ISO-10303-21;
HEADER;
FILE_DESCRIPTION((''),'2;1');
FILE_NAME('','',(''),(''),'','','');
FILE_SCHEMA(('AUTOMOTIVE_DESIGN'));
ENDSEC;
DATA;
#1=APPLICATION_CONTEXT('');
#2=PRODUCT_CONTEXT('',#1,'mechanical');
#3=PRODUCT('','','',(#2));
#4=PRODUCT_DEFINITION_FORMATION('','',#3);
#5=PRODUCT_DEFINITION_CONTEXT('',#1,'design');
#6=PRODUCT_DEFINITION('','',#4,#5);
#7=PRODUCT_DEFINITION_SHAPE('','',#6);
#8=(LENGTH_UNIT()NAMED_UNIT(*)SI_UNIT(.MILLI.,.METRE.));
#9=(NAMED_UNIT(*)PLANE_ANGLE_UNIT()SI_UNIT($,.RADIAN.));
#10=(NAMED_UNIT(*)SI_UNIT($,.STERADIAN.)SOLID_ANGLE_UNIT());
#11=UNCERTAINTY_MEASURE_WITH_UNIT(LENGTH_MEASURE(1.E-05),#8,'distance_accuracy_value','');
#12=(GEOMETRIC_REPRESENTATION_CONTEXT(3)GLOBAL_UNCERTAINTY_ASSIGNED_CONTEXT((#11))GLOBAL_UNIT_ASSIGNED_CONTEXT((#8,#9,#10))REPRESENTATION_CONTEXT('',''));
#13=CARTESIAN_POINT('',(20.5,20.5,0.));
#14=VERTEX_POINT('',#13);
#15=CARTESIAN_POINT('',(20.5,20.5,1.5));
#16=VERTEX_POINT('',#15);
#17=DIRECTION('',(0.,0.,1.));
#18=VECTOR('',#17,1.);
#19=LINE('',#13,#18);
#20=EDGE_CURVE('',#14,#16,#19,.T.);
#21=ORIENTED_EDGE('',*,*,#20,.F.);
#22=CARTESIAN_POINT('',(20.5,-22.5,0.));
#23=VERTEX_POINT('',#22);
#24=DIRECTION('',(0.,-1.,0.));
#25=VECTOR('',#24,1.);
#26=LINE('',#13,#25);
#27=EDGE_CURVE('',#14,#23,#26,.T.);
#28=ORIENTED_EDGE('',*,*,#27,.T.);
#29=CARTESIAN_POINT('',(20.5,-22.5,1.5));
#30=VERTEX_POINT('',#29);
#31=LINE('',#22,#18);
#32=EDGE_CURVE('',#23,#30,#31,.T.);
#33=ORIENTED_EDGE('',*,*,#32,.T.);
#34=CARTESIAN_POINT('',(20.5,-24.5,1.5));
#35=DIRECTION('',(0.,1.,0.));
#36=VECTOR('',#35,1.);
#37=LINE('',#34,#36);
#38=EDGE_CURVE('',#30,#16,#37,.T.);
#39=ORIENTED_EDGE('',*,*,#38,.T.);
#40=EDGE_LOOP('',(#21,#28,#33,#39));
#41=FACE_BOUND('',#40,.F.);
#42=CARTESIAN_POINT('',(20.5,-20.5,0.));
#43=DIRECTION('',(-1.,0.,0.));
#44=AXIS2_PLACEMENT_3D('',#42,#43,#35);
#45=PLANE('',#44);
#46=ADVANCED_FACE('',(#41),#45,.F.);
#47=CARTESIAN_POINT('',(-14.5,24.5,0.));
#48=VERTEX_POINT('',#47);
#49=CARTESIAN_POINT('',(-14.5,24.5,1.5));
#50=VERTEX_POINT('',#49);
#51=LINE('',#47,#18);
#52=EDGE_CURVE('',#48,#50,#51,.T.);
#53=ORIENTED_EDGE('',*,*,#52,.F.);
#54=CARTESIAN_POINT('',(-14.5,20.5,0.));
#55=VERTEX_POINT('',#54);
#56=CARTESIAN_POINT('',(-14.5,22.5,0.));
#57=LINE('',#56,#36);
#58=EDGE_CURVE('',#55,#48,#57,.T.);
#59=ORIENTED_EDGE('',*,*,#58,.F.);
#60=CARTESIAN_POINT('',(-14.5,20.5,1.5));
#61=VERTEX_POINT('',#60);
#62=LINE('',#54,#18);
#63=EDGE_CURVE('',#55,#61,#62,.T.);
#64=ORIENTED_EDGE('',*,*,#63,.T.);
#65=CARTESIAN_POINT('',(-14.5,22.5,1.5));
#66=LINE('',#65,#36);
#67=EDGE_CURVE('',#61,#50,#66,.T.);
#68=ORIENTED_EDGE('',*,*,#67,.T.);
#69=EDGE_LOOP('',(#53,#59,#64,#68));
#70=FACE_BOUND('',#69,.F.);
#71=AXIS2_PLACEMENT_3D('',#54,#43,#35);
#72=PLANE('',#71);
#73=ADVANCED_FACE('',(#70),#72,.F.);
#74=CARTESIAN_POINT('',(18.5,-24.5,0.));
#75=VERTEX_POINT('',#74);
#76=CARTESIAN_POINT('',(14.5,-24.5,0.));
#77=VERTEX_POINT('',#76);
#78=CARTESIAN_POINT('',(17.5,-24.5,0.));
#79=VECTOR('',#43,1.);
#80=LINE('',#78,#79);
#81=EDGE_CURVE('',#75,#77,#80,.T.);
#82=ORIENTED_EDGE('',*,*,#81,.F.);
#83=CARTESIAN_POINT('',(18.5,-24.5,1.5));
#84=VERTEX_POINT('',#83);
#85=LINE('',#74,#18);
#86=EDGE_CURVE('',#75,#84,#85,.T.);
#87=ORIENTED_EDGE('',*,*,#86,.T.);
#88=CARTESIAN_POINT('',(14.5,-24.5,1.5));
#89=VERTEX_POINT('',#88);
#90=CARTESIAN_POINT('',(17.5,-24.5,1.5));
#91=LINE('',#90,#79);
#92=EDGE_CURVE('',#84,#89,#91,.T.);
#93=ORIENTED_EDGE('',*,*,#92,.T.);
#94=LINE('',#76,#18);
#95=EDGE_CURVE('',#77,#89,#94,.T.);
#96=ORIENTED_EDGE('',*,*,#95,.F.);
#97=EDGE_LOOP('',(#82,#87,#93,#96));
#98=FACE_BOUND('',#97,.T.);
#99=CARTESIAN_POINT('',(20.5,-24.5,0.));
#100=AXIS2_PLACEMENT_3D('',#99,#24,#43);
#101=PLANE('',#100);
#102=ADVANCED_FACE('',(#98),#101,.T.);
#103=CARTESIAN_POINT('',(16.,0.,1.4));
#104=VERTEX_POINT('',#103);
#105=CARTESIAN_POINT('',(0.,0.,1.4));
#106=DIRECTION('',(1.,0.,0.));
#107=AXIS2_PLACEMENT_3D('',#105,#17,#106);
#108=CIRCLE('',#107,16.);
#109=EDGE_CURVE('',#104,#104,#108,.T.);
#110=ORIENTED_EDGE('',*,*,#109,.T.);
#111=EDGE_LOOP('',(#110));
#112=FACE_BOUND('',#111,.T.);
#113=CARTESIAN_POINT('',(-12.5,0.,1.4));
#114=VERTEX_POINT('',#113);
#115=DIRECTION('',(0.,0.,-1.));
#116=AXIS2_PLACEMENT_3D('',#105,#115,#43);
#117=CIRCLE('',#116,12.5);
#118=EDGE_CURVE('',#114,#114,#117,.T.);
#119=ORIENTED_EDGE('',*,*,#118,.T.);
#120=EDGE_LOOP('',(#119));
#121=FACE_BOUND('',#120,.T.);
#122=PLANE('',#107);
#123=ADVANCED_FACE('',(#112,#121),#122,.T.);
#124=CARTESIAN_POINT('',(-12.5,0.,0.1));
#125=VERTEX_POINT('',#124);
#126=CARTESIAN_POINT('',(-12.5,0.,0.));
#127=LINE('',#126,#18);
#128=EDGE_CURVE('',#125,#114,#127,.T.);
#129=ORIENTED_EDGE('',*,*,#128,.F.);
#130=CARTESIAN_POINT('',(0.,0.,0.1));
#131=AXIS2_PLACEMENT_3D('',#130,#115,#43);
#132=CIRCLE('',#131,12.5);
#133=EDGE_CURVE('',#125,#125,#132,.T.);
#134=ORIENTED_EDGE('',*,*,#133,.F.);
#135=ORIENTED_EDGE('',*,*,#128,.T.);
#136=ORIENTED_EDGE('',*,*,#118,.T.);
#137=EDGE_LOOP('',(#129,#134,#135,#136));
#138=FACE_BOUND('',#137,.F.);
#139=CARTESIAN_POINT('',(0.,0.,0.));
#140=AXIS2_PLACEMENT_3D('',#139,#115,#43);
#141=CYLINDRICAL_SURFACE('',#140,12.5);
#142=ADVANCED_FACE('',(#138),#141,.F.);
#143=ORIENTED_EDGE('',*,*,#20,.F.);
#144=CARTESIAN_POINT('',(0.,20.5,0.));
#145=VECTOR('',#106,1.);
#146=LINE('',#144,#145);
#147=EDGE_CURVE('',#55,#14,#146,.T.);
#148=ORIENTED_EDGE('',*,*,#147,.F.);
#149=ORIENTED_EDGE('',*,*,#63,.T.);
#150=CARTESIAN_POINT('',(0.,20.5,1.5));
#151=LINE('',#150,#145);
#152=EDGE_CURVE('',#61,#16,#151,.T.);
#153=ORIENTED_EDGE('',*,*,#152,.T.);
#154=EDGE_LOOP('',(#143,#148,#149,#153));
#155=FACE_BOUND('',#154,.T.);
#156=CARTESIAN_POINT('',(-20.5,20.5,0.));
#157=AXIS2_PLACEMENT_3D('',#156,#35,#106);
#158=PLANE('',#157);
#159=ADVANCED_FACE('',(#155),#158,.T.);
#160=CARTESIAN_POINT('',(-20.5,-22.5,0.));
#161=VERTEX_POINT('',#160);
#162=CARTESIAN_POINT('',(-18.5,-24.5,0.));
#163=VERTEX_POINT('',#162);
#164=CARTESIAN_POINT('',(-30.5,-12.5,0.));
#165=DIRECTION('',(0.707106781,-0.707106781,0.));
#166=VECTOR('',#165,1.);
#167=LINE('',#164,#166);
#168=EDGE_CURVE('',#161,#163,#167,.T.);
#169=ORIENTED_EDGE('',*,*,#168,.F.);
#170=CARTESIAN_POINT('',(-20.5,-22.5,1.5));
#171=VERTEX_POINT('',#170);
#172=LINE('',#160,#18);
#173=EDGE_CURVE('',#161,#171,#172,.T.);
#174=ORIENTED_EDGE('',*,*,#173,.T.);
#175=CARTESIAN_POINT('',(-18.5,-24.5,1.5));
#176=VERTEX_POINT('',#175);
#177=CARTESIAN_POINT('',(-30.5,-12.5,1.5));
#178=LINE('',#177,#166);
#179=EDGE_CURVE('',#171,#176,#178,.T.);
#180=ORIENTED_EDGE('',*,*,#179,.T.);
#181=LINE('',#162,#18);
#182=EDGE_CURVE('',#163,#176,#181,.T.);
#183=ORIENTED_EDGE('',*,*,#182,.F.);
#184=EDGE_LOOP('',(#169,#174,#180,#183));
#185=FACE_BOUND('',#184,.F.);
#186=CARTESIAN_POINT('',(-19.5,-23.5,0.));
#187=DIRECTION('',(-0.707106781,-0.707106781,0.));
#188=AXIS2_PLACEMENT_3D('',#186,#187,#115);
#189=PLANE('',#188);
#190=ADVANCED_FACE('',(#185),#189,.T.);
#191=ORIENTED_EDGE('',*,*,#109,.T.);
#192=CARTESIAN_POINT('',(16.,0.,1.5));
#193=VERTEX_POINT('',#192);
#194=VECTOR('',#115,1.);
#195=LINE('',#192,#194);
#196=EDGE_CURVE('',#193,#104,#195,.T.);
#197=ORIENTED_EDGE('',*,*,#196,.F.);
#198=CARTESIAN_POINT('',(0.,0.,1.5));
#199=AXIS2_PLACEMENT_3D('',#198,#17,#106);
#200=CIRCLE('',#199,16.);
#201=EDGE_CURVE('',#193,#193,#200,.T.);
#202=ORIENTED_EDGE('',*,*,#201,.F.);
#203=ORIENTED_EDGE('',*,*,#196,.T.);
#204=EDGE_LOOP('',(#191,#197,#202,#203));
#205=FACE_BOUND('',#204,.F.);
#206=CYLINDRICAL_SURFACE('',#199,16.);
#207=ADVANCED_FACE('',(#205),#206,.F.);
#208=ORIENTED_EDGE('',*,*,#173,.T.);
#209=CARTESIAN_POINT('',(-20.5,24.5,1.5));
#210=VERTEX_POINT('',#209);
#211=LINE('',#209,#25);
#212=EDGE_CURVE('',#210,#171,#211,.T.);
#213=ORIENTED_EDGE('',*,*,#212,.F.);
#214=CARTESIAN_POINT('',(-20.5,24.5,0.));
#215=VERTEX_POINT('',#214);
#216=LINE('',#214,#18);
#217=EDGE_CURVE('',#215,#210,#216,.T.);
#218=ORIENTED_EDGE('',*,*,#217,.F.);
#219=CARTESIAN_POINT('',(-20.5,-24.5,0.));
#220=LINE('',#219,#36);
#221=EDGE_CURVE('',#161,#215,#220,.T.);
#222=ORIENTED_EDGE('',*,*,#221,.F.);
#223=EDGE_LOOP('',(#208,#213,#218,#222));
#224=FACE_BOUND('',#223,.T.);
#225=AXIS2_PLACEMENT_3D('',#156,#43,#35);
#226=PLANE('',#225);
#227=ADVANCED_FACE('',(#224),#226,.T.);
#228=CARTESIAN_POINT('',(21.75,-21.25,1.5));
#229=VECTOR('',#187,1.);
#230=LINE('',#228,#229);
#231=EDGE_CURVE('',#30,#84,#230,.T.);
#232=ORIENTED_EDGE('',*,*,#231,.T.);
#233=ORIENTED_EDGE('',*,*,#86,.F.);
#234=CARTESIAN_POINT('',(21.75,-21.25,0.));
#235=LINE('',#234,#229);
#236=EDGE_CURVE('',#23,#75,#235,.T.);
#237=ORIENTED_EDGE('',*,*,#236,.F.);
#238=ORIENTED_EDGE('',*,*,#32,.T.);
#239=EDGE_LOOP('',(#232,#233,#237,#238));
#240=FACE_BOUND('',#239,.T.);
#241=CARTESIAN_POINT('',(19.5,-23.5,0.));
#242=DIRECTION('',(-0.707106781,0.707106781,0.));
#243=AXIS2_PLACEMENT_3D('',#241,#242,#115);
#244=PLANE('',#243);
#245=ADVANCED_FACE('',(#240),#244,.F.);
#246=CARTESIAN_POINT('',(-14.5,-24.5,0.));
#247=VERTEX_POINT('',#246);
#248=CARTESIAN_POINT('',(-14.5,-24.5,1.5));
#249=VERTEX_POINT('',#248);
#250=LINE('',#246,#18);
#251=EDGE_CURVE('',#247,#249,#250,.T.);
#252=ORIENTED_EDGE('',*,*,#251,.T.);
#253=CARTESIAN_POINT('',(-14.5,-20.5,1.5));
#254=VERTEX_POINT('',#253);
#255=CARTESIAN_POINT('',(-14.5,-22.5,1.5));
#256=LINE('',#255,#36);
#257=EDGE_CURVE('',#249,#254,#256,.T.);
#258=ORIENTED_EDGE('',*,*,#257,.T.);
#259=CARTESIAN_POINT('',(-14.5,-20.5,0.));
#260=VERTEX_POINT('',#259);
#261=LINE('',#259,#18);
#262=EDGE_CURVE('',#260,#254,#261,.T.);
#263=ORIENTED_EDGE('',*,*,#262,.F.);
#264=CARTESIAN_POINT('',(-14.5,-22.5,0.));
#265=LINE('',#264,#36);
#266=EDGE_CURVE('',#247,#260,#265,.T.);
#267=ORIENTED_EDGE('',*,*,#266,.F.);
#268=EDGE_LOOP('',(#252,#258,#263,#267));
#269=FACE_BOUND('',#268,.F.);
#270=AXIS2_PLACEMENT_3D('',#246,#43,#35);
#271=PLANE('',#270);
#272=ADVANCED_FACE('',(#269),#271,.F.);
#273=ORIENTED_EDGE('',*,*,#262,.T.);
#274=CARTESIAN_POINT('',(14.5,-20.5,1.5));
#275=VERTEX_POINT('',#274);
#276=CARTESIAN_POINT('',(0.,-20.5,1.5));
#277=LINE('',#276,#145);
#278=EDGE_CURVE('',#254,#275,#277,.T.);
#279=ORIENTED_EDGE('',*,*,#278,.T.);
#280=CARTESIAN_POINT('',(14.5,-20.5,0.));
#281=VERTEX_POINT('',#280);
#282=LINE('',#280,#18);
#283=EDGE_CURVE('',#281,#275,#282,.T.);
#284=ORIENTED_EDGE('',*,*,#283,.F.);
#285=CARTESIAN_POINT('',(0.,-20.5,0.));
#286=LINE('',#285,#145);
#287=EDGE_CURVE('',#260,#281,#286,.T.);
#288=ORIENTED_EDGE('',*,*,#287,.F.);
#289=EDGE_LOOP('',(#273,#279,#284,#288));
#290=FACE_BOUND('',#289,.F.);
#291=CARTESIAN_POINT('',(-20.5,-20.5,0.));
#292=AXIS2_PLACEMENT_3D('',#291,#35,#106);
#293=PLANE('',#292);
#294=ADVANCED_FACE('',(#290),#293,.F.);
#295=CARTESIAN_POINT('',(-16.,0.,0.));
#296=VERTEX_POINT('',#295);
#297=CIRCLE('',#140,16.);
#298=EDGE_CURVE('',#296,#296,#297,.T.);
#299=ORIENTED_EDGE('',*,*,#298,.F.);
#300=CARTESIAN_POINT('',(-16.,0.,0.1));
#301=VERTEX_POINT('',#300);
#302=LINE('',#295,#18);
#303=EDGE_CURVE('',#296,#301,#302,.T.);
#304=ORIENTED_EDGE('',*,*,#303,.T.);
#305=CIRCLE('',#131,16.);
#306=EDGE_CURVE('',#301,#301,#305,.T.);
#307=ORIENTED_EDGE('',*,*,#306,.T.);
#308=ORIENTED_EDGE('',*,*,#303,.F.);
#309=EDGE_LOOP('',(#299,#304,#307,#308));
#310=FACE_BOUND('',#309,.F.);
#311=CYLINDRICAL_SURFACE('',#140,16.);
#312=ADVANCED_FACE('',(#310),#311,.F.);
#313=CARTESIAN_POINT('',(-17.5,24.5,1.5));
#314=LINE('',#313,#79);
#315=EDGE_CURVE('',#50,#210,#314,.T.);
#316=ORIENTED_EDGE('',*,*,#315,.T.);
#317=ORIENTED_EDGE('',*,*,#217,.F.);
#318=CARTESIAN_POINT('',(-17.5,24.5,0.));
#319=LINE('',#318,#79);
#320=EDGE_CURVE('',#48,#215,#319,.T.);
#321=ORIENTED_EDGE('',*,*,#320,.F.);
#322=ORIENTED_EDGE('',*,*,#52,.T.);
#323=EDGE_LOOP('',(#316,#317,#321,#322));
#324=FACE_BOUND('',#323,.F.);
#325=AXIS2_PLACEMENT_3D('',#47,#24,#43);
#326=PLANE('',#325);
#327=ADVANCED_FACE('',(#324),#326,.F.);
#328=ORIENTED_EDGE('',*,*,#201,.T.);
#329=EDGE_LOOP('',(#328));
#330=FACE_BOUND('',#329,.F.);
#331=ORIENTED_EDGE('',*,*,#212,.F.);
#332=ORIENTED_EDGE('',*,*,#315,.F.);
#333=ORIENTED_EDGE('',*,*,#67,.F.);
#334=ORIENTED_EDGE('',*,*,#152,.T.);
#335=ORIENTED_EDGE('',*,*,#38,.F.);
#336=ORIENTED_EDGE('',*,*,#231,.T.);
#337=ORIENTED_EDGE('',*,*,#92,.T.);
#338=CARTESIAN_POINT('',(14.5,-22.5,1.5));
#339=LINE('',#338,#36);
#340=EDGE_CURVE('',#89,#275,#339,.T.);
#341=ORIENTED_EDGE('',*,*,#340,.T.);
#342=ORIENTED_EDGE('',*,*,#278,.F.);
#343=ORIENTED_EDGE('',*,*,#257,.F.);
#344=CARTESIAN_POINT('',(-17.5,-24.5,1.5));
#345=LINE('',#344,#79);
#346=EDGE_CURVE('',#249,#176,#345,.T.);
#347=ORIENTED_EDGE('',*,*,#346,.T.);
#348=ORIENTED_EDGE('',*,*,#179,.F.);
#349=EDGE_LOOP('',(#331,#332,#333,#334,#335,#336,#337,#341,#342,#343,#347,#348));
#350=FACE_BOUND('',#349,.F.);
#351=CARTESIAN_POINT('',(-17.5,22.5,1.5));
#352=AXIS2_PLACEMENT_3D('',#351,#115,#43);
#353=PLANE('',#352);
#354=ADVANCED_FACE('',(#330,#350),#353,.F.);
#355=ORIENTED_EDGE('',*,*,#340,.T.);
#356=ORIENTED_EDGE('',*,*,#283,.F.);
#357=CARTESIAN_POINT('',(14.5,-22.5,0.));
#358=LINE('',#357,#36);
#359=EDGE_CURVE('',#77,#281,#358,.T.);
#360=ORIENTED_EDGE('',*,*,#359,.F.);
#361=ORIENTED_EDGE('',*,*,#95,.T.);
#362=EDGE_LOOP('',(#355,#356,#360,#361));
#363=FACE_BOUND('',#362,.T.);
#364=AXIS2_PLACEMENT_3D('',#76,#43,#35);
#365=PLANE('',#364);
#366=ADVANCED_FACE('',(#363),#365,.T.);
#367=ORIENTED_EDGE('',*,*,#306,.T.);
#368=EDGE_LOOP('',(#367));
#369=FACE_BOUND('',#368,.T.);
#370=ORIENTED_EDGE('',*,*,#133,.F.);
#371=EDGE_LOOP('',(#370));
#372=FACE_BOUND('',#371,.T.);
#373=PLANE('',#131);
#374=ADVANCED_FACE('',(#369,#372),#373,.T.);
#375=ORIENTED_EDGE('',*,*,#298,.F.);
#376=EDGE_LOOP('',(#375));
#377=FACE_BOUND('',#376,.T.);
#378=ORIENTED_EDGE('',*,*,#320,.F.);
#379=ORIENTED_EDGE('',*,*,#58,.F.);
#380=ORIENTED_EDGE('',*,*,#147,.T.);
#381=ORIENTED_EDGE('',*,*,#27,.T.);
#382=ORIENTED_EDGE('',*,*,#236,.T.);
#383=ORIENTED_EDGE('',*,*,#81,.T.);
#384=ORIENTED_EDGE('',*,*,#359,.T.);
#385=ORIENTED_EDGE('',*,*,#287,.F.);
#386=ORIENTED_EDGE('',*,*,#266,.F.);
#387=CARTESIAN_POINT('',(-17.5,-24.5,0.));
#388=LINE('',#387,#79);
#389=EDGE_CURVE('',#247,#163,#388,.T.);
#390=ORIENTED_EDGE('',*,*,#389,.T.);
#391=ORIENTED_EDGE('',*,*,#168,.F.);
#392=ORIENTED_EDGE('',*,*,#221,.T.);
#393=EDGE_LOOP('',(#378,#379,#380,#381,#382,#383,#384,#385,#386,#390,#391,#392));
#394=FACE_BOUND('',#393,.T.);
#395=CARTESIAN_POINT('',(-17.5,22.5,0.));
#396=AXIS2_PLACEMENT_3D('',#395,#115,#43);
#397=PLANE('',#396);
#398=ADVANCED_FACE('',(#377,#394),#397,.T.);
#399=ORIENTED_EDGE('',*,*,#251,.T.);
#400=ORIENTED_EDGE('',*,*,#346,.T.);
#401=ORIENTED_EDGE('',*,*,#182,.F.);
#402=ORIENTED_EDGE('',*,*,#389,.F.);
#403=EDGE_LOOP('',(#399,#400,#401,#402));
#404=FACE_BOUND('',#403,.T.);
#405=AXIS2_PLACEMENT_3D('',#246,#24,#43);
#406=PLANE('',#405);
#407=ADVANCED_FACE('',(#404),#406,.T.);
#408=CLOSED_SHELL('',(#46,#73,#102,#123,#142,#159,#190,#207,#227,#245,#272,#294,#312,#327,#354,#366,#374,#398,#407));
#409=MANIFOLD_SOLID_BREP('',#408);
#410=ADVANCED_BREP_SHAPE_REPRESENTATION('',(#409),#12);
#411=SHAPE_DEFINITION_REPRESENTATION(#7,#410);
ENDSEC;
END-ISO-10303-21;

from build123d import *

# Parameters (mm, degrees)
ESQUISSE1_W             = 41
ESQUISSE1_H             = 41
BOSS_EXTRU_1_DEPTH      = 1.5
ESQUISSE2_W             = 6
ESQUISSE2_H             = 4
BOSS_EXTRU_2_DEPTH      = 1.5
ESQUISSE3_R             = 12.5
ENL_V_MAT_EXTRU_1_DEPTH = 2.5
ESQUISSE4_R             = 16
ENL_V_MAT_EXTRU_2_DEPTH = 0.1
ESQUISSE5_R             = 16
ENL_V_MAT_EXTRU_3_DEPTH = 0.1
CHANFREIN1_SIZE         = 2
CHANFREIN2_SIZE         = 2


with BuildPart() as part:
    # Esquisse1 → Boss.-Extru.1 (new body)
    with BuildSketch(Plane.XY):
        Rectangle(ESQUISSE1_W, ESQUISSE1_H)
    extrude(amount=BOSS_EXTRU_1_DEPTH)

    # Esquisse2 → Boss.-Extru.2 (add)
    with BuildSketch(Plane(origin=(0, 0, 0), x_dir=(-1, 0, 0), z_dir=(0, 0, -1))):
        with Locations((17.5, 22.5)):
            Rectangle(ESQUISSE2_W, ESQUISSE2_H)
        with Locations((-17.5, -22.5)):
            Rectangle(ESQUISSE2_W, ESQUISSE2_H)
        with Locations((17.5, -22.5)):
            Rectangle(ESQUISSE2_W, ESQUISSE2_H)
    extrude(amount=-BOSS_EXTRU_2_DEPTH)

    # Esquisse3 → Enlèv. mat.-Extru.1 (cut, through all)
    with BuildSketch(Plane(origin=(0, 0, 0), x_dir=(-1, 0, 0), z_dir=(0, 0, -1))):
        Circle(ESQUISSE3_R)
    extrude(amount=-ENL_V_MAT_EXTRU_1_DEPTH, mode=Mode.SUBTRACT)

    # Esquisse4 → Enlèv. mat.-Extru.2 (cut)
    with BuildSketch(Plane(origin=(0, 0, 0), x_dir=(-1, 0, 0), z_dir=(0, 0, -1))):
        Circle(ESQUISSE4_R)
    extrude(amount=-ENL_V_MAT_EXTRU_2_DEPTH, mode=Mode.SUBTRACT)

    # Esquisse5 → Enlèv. mat.-Extru.3 (cut)
    with BuildSketch(Plane.XY.offset(1.5)):
        Circle(ESQUISSE5_R)
    extrude(amount=-ENL_V_MAT_EXTRU_3_DEPTH, mode=Mode.SUBTRACT)

    # Chanfrein1
    chanfrein1_edges = [part.edges().sort_by_distance(p)[0] for p in [
        (-20.5, -24.5, 0.75),
    ]]
    chamfer(chanfrein1_edges, length=CHANFREIN1_SIZE)

    # Chanfrein2
    chanfrein2_edges = [part.edges().sort_by_distance(p)[0] for p in [
        (20.5, -24.5, 0.75),
    ]]
    chamfer(chanfrein2_edges, length=CHANFREIN2_SIZE)


solid = part.part
